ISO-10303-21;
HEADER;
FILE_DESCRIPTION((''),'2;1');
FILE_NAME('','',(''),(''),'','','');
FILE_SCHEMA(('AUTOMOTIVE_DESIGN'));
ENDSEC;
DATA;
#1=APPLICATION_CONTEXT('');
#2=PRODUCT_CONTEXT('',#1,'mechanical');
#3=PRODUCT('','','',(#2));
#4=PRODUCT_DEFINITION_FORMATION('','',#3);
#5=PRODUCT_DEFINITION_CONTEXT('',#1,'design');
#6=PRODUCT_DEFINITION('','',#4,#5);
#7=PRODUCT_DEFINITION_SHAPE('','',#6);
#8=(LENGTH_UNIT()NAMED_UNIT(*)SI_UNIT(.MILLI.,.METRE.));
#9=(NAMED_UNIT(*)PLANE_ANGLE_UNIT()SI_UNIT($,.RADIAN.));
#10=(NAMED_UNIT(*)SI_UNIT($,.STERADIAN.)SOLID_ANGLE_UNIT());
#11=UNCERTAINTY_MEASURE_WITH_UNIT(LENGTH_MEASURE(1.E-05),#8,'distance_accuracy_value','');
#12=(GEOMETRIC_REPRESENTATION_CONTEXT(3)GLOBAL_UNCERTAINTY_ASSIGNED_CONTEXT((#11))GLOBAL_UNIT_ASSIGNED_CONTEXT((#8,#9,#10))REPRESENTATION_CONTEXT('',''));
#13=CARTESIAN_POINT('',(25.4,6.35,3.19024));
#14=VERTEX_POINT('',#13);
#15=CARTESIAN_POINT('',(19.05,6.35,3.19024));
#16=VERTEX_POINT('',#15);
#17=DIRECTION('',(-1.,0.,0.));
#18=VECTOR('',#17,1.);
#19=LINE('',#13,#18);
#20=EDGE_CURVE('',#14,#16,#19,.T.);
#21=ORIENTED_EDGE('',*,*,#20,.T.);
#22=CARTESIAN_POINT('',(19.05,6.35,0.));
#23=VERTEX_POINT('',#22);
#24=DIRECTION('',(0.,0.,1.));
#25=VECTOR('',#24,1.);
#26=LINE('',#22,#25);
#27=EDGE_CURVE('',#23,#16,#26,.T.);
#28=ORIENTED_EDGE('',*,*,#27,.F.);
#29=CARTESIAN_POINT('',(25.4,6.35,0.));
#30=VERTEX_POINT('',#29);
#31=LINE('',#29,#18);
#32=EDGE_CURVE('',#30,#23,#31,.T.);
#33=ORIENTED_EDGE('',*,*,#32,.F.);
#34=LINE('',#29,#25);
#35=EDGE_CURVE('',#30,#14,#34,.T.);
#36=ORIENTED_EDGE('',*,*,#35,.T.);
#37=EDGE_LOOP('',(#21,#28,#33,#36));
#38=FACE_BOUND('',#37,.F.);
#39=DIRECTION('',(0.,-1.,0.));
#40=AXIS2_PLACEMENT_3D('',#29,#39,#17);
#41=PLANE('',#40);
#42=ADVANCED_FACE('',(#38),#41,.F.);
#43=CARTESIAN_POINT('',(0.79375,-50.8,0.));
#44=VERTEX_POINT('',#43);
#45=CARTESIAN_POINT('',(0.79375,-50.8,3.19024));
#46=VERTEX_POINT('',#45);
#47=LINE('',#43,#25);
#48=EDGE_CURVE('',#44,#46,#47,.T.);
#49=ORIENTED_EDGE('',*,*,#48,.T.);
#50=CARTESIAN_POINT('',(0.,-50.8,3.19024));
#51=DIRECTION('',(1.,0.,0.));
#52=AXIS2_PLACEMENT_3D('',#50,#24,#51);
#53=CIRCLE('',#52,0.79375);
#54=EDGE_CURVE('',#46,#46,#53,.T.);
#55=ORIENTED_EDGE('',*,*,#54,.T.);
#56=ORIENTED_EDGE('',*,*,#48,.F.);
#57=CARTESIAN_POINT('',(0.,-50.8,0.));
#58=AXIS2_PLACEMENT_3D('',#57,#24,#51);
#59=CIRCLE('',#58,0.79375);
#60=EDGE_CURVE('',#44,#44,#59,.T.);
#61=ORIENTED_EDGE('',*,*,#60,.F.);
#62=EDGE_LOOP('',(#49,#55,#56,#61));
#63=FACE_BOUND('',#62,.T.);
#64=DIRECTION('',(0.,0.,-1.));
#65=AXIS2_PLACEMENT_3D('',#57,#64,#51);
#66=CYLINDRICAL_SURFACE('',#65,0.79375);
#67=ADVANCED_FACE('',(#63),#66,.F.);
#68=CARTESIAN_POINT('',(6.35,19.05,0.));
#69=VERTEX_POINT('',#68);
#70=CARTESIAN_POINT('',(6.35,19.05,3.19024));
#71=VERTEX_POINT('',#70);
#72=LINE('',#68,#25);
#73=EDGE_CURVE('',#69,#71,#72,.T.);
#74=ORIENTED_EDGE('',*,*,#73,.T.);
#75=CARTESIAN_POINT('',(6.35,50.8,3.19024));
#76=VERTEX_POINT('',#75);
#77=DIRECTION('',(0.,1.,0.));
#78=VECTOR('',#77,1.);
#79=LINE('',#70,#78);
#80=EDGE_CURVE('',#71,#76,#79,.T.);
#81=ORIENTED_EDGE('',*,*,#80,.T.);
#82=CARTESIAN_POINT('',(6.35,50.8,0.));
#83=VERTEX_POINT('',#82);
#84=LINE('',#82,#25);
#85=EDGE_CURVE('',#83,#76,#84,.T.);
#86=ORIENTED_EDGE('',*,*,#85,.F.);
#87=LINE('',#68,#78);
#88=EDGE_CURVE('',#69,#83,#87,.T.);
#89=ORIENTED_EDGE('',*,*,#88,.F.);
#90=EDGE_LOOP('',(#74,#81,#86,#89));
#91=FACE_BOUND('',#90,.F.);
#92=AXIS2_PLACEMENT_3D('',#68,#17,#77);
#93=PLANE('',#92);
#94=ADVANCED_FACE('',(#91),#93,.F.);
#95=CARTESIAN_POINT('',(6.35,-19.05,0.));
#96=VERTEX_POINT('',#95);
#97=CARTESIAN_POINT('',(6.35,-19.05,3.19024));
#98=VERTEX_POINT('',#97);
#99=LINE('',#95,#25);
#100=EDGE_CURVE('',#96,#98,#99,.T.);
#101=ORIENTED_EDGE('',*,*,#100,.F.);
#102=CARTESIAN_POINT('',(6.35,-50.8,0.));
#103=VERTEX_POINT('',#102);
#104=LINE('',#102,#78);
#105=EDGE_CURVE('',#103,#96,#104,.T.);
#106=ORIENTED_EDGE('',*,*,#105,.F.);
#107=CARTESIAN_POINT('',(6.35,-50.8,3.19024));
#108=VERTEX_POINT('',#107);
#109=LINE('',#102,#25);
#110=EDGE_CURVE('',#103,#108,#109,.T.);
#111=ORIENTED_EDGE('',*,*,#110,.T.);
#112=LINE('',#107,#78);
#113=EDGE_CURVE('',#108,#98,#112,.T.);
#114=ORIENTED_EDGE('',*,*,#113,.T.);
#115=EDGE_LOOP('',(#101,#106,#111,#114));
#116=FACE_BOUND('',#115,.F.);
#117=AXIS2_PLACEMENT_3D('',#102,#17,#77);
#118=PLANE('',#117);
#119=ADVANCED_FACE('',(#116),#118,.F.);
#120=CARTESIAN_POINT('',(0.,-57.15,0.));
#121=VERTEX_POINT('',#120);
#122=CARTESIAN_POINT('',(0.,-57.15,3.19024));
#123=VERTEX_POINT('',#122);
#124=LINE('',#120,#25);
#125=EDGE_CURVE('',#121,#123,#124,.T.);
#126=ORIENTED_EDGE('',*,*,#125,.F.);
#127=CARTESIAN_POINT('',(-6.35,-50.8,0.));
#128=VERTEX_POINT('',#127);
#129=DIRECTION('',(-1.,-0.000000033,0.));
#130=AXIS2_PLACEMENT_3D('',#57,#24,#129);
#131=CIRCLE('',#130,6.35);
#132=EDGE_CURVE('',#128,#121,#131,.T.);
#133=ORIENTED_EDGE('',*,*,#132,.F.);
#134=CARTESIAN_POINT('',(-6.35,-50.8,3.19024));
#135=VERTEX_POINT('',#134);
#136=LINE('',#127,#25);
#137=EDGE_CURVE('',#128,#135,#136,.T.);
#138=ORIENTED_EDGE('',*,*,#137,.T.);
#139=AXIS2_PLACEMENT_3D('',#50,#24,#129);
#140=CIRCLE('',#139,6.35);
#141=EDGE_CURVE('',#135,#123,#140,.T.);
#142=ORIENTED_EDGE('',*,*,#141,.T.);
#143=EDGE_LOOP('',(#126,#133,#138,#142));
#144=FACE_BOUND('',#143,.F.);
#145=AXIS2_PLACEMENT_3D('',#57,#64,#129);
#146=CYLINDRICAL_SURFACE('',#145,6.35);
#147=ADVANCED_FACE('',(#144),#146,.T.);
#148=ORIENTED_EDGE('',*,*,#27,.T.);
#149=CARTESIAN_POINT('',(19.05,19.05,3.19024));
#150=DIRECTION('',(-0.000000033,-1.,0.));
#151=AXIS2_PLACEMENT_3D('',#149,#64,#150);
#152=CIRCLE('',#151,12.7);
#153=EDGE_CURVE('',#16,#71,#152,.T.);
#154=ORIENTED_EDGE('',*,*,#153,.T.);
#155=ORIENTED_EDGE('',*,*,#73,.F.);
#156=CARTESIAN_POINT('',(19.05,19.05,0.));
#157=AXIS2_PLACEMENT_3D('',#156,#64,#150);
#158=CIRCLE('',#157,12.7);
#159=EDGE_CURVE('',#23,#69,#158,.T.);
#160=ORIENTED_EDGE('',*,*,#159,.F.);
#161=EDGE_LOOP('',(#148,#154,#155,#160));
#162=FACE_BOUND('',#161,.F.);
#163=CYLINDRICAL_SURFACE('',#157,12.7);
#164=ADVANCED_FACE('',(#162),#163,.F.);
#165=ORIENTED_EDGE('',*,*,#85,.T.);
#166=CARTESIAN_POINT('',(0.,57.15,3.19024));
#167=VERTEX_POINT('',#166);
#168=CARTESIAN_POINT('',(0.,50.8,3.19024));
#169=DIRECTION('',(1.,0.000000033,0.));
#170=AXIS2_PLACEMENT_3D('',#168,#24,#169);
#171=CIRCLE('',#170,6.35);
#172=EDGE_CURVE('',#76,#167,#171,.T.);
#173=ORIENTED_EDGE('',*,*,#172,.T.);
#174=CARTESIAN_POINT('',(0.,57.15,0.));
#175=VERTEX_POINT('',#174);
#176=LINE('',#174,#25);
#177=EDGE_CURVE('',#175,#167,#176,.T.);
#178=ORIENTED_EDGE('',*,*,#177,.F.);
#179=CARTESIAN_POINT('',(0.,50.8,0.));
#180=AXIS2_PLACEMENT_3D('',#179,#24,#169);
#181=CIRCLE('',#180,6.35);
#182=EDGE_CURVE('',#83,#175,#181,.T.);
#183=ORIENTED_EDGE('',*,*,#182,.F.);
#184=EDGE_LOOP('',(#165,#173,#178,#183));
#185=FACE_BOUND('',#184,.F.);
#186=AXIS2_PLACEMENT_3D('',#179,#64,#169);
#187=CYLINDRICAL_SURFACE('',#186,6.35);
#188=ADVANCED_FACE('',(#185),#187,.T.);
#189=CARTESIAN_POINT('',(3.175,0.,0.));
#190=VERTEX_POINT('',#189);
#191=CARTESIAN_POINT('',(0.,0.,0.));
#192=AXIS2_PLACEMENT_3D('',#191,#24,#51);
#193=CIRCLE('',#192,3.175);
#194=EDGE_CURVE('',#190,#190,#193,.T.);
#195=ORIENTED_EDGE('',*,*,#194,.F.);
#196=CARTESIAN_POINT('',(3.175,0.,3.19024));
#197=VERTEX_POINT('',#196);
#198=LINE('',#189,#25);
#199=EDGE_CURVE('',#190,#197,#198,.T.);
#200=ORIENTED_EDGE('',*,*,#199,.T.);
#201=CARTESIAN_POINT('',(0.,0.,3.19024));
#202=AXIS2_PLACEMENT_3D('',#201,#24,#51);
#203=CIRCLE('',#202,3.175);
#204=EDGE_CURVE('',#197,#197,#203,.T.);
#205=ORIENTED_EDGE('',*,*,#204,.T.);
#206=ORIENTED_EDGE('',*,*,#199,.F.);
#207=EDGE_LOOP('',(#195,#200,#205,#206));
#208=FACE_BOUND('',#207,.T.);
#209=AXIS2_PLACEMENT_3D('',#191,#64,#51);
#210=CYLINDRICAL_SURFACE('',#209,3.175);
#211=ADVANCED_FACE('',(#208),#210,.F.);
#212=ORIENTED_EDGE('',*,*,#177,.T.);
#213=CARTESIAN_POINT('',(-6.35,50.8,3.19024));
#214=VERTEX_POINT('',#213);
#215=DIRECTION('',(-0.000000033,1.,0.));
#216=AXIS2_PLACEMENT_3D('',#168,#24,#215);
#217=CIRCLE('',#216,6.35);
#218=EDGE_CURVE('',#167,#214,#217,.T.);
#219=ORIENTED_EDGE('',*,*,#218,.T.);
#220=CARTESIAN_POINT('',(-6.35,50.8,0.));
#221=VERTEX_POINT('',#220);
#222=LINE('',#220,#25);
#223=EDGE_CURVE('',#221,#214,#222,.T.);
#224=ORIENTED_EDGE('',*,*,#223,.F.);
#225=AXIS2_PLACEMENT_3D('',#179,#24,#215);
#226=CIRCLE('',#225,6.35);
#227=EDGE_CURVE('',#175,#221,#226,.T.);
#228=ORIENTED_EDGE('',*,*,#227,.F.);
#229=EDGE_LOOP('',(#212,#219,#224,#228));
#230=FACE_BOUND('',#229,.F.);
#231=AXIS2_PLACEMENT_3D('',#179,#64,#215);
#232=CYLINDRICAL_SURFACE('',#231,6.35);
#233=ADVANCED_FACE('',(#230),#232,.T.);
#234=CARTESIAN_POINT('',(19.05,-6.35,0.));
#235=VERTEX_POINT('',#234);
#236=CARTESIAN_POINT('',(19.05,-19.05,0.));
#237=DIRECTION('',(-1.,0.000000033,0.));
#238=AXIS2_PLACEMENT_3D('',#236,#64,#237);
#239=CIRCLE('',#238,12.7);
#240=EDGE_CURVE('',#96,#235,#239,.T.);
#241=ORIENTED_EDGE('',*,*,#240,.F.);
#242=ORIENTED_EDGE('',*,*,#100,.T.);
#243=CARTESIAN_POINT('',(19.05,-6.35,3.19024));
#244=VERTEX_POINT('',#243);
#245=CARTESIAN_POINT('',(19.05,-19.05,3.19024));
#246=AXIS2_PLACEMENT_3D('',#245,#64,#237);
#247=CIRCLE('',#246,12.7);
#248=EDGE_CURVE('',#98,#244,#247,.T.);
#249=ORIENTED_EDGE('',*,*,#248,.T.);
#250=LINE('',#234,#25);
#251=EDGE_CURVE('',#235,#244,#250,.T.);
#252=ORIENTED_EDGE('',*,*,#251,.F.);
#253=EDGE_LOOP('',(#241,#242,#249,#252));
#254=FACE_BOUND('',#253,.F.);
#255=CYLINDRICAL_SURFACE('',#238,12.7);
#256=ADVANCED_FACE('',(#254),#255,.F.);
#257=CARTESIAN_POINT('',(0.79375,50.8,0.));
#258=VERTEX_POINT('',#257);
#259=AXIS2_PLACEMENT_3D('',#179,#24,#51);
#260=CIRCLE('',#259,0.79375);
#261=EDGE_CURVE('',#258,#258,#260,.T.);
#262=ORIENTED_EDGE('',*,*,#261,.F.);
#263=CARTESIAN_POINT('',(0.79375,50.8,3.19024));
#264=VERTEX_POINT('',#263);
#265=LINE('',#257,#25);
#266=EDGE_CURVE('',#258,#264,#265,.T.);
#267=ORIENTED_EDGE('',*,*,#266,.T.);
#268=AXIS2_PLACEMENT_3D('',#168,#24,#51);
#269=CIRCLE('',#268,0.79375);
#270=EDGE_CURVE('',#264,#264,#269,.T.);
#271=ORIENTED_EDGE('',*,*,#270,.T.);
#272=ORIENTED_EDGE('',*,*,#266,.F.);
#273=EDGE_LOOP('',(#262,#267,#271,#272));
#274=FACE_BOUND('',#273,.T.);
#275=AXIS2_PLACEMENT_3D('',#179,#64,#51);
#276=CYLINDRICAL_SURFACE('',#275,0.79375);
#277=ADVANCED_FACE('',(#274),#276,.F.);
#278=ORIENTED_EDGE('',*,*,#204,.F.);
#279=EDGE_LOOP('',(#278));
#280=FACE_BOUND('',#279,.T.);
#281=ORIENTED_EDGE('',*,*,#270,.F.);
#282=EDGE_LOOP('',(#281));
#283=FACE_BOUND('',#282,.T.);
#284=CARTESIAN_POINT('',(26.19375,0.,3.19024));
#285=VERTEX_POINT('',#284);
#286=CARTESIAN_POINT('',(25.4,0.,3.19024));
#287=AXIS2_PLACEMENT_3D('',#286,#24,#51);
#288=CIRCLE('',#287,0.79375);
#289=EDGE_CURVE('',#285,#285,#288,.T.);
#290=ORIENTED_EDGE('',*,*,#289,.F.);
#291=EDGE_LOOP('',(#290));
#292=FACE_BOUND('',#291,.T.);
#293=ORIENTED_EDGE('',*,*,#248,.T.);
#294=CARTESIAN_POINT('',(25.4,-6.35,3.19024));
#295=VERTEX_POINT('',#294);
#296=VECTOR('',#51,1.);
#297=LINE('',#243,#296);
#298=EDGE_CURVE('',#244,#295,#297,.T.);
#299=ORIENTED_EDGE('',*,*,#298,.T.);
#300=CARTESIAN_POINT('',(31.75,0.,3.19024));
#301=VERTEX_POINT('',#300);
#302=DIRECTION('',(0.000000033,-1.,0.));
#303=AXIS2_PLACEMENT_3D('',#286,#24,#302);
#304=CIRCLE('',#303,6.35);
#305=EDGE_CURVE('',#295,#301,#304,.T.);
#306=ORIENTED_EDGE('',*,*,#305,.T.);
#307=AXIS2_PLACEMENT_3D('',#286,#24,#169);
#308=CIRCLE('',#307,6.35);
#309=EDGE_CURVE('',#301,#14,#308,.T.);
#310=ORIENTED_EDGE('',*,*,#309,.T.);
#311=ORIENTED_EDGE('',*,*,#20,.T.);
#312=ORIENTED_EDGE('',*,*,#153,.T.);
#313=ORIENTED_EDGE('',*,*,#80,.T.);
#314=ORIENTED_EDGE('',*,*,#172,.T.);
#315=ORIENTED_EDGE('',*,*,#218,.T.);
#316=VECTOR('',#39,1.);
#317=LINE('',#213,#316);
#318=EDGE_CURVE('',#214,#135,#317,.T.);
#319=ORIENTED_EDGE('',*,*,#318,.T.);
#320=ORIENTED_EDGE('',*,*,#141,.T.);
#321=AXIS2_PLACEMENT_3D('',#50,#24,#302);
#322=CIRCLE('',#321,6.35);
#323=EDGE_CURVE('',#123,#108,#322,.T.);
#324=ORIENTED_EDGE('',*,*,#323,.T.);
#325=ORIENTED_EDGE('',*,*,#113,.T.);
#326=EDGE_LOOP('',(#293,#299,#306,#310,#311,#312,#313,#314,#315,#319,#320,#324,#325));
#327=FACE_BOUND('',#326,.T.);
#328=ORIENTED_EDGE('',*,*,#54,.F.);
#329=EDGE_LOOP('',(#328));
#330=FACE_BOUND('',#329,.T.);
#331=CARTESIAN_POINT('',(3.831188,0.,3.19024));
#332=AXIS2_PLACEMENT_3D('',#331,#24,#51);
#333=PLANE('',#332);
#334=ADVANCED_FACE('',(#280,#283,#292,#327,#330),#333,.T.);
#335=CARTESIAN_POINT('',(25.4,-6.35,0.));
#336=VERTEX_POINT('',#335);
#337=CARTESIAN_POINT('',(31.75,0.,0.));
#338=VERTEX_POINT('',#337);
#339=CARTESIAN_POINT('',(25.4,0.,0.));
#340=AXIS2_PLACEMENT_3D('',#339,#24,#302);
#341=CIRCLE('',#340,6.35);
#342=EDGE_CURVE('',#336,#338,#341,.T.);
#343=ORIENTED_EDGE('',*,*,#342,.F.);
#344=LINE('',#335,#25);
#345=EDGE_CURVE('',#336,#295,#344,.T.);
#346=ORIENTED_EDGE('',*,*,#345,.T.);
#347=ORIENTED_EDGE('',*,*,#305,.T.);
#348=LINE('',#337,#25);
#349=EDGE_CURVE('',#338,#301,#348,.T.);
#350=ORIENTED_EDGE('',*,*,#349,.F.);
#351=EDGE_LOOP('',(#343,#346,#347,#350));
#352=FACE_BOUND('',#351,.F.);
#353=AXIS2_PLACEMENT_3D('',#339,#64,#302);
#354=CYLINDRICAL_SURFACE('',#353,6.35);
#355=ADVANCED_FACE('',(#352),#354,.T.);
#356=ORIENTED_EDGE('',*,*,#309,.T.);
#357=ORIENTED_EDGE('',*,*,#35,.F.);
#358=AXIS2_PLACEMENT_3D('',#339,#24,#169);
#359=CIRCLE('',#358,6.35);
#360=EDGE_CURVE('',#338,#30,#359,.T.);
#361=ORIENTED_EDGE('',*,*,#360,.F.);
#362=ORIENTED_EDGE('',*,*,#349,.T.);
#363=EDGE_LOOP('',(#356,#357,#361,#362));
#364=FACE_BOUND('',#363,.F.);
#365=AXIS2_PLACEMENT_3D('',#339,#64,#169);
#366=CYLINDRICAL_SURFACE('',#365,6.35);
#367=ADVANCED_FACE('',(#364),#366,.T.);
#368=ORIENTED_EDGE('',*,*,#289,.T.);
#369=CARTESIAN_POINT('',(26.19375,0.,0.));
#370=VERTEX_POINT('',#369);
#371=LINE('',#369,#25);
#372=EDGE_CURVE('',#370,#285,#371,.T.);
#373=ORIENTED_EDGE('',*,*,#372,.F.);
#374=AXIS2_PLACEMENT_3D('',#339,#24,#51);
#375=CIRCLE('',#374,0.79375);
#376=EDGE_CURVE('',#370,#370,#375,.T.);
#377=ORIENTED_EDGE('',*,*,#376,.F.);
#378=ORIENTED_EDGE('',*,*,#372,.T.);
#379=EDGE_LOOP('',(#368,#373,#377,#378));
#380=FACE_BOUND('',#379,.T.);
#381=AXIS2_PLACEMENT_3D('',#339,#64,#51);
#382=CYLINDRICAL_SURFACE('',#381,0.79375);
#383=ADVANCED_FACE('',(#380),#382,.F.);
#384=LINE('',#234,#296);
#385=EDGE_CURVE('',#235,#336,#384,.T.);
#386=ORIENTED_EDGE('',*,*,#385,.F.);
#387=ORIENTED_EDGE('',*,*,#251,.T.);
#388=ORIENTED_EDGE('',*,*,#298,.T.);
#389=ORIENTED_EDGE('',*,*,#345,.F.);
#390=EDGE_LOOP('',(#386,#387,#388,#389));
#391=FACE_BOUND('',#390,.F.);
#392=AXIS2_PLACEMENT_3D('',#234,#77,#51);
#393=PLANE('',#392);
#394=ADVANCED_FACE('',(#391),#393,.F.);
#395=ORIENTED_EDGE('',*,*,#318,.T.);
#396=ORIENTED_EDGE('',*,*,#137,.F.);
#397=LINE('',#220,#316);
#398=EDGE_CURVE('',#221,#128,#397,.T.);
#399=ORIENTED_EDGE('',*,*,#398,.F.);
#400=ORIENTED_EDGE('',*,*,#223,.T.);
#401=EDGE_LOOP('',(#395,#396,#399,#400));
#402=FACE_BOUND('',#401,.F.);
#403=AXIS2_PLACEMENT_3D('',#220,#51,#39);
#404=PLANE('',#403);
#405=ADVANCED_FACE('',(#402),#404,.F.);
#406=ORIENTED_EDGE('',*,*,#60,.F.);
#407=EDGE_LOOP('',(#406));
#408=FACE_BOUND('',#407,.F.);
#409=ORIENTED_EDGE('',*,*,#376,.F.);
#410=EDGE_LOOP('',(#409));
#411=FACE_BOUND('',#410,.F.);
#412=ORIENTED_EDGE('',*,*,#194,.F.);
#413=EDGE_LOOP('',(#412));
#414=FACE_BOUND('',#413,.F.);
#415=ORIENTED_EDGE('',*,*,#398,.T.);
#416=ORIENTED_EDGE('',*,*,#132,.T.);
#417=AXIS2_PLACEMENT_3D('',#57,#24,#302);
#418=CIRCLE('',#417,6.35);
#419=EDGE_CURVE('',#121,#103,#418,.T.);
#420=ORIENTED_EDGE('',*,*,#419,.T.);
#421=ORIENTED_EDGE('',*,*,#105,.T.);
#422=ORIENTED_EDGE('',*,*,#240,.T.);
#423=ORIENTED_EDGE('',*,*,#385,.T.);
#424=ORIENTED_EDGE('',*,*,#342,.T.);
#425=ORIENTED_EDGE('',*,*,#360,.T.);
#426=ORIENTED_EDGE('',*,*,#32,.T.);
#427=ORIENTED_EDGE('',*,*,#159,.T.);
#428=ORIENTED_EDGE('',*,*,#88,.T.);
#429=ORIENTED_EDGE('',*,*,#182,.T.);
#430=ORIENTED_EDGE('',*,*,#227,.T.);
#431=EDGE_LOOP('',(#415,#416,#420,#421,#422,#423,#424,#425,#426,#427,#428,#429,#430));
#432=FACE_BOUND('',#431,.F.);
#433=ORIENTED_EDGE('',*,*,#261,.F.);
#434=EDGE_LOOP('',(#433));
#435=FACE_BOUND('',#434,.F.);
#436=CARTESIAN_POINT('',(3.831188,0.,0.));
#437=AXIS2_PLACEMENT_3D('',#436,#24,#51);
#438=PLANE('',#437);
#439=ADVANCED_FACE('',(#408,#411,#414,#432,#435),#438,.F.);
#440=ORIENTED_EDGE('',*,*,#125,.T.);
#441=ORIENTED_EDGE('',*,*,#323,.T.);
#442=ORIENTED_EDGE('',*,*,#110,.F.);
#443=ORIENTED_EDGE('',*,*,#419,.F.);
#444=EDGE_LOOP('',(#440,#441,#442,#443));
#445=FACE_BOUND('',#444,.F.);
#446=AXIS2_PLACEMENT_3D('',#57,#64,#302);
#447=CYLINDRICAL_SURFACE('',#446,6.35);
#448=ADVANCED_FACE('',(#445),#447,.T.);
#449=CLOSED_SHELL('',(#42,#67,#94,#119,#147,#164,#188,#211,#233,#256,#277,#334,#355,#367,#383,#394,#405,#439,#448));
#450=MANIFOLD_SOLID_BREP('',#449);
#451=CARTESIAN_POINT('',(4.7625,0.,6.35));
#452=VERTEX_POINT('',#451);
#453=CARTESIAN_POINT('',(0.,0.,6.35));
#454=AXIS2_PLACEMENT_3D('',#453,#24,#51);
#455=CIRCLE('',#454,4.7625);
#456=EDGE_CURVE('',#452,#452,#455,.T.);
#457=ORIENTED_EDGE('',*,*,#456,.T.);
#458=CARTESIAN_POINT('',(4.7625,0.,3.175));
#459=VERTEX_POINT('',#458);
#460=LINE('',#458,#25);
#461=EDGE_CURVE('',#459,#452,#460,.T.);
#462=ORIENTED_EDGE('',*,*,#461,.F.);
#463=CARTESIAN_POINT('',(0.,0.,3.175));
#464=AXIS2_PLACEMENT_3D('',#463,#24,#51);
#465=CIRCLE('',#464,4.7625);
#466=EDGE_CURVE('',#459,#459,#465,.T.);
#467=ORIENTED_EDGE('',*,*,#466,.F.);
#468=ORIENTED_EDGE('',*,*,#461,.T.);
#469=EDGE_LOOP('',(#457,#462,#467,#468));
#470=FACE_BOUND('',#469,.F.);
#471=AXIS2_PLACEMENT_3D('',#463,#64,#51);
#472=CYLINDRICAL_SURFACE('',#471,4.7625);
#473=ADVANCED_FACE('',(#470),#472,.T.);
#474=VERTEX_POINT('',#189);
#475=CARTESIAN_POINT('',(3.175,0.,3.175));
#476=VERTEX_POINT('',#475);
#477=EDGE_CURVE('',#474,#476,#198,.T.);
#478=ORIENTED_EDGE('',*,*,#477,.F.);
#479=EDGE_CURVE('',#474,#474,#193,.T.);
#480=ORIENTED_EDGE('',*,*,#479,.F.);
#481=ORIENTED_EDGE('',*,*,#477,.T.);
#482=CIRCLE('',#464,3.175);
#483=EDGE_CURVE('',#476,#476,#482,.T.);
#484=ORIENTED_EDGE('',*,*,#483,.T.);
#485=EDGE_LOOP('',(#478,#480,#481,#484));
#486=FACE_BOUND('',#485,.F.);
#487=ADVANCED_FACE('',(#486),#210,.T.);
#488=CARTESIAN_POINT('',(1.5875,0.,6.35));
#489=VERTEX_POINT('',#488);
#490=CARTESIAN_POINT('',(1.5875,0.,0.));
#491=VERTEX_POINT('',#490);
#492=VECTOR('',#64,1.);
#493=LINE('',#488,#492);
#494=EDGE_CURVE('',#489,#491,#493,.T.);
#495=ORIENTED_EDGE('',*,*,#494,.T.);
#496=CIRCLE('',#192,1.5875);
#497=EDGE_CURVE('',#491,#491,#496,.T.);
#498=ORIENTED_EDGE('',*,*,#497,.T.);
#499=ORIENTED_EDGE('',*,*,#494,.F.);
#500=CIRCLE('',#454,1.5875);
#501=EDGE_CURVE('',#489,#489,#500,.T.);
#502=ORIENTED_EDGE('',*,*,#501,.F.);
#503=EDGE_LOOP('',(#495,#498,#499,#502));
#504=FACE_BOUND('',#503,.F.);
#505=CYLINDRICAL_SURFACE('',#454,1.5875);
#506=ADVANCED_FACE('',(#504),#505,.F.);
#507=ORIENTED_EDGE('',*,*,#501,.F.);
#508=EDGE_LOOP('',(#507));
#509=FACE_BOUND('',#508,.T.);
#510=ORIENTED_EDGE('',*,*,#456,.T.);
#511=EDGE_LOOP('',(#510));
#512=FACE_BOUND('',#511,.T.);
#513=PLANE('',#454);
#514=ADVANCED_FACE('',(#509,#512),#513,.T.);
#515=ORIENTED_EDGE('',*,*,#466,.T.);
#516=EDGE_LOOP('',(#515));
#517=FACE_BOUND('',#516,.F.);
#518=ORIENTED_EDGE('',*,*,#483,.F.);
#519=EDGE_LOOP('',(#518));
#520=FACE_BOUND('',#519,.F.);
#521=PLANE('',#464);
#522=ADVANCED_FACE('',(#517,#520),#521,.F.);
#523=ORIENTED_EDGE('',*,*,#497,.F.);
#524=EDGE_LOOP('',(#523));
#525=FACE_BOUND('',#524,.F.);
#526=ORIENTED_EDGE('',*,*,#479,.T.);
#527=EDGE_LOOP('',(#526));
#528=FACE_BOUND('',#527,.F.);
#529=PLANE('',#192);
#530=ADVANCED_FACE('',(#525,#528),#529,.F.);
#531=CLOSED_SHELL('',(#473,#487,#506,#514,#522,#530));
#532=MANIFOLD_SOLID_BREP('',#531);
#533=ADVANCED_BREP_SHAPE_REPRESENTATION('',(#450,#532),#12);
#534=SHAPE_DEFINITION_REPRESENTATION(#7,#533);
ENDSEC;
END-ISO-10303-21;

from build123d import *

# Parameters (mm, degrees)
F0_R     = 3.175
F1_DEPTH = 3.175
F2_R     = 4.7625
F3_DEPTH = 3.175
F4_R     = 1.5875
F5_DEPTH = 6.351
F6_R     = 0.79375
F6_R_2   = 3.175
F7_DEPTH = 3.19024


with BuildPart() as f1:
    # F0 (on Top) → F1 (new body)
    with BuildSketch(Plane.XY):
        Circle(F0_R)
    extrude(amount=F1_DEPTH)

    # F2 (on face) → F3 (join)
    with BuildSketch(Plane.XY.offset(3.175)):
        Circle(F2_R)
    extrude(amount=F3_DEPTH)

    # F4 (on face) → F5 (cut, through all)
    with BuildSketch(Plane.XY.offset(6.35)):
        Circle(F4_R)
    extrude(amount=-F5_DEPTH, mode=Mode.SUBTRACT)


with BuildPart() as f7:
    # F6 (on Top) → F7 (new body)
    with BuildSketch(Plane.XY):
        with BuildLine():
            Line((6.35, 19.05), (6.35, 50.8))
            ThreePointArc((6.35, 50.8), (4.490128, 55.290128), (0, 57.15))
            ThreePointArc((0, 57.15), (-4.490128, 55.290128), (-6.35, 50.8))
            Line((-6.35, 50.8), (-6.35, -50.8))
            ThreePointArc((-6.35, -50.8), (-4.490128, -55.290128), (0, -57.15))
            ThreePointArc((0, -57.15), (4.490128, -55.290128), (6.35, -50.8))
            Line((6.35, -50.8), (6.35, -19.05))
            ThreePointArc((6.35, -19.05), (10.069744, -10.069744), (19.05, -6.35))
            Line((19.05, -6.35), (25.4, -6.35))
            ThreePointArc((25.4, -6.35), (29.890128, -4.490128), (31.75, 0))
            ThreePointArc((31.75, 0), (29.890128, 4.490128), (25.4, 6.35))
            Line((25.4, 6.35), (19.05, 6.35))
            ThreePointArc((19.05, 6.35), (10.069744, 10.069744), (6.35, 19.05))
        make_face()
        with Locations((0, -50.8)):
            Circle(F6_R, mode=Mode.SUBTRACT)
        Circle(F6_R_2, mode=Mode.SUBTRACT)
        with Locations((0, 50.8)):
            Circle(F6_R, mode=Mode.SUBTRACT)
        with Locations((25.4, 0)):
            Circle(F6_R, mode=Mode.SUBTRACT)
    extrude(amount=F7_DEPTH)


solid = Compound([f1.part, f7.part])
